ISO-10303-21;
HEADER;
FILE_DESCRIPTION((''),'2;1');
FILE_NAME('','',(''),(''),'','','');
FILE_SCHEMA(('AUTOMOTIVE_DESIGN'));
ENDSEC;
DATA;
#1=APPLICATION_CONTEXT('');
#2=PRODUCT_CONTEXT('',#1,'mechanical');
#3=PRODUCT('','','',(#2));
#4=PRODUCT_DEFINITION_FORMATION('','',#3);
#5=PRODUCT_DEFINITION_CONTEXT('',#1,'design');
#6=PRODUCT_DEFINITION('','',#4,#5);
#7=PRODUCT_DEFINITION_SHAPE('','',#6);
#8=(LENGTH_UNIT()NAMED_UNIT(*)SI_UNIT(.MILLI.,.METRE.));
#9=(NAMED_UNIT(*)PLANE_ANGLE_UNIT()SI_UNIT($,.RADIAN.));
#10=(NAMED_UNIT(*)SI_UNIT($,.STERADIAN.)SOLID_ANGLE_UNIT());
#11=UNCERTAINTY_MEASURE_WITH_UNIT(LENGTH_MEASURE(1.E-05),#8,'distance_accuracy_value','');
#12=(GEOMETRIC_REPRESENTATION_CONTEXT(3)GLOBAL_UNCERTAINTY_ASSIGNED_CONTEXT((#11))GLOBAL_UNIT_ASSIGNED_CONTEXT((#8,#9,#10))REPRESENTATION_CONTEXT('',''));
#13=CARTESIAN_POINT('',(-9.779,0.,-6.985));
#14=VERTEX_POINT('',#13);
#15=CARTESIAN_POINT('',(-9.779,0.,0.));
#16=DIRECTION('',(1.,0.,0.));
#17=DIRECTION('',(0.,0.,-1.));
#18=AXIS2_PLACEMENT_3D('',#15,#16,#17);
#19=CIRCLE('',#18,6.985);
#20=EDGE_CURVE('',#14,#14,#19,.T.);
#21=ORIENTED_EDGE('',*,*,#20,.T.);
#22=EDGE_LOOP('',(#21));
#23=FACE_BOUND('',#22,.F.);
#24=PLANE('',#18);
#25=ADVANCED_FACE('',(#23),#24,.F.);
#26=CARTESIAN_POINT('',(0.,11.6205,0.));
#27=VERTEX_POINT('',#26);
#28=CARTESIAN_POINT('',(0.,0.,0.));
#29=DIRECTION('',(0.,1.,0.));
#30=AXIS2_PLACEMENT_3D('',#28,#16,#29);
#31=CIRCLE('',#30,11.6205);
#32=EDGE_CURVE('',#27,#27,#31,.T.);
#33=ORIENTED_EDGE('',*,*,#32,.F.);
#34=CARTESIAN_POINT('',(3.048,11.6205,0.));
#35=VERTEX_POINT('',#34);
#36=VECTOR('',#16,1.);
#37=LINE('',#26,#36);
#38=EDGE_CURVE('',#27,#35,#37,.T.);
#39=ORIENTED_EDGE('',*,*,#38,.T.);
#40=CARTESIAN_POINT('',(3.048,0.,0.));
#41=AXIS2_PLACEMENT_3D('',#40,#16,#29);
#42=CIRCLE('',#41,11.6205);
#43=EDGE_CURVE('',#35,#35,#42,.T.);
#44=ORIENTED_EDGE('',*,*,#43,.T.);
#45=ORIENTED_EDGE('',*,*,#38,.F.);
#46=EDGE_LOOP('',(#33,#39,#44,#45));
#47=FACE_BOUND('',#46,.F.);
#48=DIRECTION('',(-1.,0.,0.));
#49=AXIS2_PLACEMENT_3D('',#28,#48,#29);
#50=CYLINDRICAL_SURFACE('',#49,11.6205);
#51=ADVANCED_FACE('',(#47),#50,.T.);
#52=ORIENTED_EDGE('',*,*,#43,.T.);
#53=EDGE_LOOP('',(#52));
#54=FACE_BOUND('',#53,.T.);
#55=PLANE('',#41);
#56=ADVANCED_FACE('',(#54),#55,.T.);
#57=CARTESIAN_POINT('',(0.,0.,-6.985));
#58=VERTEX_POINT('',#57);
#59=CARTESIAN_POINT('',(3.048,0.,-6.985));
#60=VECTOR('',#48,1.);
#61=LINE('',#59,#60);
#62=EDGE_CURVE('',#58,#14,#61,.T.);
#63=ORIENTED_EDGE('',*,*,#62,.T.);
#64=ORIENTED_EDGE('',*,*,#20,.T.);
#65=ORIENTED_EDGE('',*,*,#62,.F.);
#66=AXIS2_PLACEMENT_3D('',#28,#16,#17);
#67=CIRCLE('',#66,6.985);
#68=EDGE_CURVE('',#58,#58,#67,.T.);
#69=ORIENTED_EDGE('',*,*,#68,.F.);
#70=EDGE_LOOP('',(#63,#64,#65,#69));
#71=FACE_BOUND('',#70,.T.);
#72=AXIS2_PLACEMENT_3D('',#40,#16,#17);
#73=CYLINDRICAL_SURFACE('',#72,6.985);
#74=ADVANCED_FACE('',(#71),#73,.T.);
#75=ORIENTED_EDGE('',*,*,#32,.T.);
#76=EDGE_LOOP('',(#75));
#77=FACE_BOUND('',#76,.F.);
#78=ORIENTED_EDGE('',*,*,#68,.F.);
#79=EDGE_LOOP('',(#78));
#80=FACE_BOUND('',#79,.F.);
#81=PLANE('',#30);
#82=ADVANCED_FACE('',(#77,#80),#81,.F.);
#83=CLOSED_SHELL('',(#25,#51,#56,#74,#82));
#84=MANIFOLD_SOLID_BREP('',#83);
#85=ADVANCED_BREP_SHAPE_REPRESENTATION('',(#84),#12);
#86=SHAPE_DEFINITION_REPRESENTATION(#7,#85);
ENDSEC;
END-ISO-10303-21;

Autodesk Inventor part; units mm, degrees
ref_plane "YZ Plane" through (0, 0, 0) normal (1, 0, 0) x (0, 1, 0)
ref_plane "XZ Plane" through (0, 0, 0) normal (0, 1, 0) x (-1, 0, 0)
ref_plane "XY Plane" through (0, 0, 0) normal (0, 0, 1) x (1, 0, 0)
sketch "Sketch1" plane through (0, 0, 0) normal (1, 0, 0) x (0, 1, 0)
  circle A0 centre (0, 0) radius 4.0005
  circle A1 centre (0, 0) radius 11.6205
  dimension "d0" = 8.001
  dimension "d1" = 23.241
extrude "Extrusion1" add sketch "Sketch1" along normal blind 3.048
sketch "Sketch2" plane through (3.048, 0, 0) normal (1, 0, 0) x (0, 0, -1)
  circle A0 centre (0, 0) radius 6.985
  dimension "d4" = 13.97
extrude "Extrusion2" add sketch "Sketch2" against normal blind 12.827
properties part number "Elevator i-sprocket"
